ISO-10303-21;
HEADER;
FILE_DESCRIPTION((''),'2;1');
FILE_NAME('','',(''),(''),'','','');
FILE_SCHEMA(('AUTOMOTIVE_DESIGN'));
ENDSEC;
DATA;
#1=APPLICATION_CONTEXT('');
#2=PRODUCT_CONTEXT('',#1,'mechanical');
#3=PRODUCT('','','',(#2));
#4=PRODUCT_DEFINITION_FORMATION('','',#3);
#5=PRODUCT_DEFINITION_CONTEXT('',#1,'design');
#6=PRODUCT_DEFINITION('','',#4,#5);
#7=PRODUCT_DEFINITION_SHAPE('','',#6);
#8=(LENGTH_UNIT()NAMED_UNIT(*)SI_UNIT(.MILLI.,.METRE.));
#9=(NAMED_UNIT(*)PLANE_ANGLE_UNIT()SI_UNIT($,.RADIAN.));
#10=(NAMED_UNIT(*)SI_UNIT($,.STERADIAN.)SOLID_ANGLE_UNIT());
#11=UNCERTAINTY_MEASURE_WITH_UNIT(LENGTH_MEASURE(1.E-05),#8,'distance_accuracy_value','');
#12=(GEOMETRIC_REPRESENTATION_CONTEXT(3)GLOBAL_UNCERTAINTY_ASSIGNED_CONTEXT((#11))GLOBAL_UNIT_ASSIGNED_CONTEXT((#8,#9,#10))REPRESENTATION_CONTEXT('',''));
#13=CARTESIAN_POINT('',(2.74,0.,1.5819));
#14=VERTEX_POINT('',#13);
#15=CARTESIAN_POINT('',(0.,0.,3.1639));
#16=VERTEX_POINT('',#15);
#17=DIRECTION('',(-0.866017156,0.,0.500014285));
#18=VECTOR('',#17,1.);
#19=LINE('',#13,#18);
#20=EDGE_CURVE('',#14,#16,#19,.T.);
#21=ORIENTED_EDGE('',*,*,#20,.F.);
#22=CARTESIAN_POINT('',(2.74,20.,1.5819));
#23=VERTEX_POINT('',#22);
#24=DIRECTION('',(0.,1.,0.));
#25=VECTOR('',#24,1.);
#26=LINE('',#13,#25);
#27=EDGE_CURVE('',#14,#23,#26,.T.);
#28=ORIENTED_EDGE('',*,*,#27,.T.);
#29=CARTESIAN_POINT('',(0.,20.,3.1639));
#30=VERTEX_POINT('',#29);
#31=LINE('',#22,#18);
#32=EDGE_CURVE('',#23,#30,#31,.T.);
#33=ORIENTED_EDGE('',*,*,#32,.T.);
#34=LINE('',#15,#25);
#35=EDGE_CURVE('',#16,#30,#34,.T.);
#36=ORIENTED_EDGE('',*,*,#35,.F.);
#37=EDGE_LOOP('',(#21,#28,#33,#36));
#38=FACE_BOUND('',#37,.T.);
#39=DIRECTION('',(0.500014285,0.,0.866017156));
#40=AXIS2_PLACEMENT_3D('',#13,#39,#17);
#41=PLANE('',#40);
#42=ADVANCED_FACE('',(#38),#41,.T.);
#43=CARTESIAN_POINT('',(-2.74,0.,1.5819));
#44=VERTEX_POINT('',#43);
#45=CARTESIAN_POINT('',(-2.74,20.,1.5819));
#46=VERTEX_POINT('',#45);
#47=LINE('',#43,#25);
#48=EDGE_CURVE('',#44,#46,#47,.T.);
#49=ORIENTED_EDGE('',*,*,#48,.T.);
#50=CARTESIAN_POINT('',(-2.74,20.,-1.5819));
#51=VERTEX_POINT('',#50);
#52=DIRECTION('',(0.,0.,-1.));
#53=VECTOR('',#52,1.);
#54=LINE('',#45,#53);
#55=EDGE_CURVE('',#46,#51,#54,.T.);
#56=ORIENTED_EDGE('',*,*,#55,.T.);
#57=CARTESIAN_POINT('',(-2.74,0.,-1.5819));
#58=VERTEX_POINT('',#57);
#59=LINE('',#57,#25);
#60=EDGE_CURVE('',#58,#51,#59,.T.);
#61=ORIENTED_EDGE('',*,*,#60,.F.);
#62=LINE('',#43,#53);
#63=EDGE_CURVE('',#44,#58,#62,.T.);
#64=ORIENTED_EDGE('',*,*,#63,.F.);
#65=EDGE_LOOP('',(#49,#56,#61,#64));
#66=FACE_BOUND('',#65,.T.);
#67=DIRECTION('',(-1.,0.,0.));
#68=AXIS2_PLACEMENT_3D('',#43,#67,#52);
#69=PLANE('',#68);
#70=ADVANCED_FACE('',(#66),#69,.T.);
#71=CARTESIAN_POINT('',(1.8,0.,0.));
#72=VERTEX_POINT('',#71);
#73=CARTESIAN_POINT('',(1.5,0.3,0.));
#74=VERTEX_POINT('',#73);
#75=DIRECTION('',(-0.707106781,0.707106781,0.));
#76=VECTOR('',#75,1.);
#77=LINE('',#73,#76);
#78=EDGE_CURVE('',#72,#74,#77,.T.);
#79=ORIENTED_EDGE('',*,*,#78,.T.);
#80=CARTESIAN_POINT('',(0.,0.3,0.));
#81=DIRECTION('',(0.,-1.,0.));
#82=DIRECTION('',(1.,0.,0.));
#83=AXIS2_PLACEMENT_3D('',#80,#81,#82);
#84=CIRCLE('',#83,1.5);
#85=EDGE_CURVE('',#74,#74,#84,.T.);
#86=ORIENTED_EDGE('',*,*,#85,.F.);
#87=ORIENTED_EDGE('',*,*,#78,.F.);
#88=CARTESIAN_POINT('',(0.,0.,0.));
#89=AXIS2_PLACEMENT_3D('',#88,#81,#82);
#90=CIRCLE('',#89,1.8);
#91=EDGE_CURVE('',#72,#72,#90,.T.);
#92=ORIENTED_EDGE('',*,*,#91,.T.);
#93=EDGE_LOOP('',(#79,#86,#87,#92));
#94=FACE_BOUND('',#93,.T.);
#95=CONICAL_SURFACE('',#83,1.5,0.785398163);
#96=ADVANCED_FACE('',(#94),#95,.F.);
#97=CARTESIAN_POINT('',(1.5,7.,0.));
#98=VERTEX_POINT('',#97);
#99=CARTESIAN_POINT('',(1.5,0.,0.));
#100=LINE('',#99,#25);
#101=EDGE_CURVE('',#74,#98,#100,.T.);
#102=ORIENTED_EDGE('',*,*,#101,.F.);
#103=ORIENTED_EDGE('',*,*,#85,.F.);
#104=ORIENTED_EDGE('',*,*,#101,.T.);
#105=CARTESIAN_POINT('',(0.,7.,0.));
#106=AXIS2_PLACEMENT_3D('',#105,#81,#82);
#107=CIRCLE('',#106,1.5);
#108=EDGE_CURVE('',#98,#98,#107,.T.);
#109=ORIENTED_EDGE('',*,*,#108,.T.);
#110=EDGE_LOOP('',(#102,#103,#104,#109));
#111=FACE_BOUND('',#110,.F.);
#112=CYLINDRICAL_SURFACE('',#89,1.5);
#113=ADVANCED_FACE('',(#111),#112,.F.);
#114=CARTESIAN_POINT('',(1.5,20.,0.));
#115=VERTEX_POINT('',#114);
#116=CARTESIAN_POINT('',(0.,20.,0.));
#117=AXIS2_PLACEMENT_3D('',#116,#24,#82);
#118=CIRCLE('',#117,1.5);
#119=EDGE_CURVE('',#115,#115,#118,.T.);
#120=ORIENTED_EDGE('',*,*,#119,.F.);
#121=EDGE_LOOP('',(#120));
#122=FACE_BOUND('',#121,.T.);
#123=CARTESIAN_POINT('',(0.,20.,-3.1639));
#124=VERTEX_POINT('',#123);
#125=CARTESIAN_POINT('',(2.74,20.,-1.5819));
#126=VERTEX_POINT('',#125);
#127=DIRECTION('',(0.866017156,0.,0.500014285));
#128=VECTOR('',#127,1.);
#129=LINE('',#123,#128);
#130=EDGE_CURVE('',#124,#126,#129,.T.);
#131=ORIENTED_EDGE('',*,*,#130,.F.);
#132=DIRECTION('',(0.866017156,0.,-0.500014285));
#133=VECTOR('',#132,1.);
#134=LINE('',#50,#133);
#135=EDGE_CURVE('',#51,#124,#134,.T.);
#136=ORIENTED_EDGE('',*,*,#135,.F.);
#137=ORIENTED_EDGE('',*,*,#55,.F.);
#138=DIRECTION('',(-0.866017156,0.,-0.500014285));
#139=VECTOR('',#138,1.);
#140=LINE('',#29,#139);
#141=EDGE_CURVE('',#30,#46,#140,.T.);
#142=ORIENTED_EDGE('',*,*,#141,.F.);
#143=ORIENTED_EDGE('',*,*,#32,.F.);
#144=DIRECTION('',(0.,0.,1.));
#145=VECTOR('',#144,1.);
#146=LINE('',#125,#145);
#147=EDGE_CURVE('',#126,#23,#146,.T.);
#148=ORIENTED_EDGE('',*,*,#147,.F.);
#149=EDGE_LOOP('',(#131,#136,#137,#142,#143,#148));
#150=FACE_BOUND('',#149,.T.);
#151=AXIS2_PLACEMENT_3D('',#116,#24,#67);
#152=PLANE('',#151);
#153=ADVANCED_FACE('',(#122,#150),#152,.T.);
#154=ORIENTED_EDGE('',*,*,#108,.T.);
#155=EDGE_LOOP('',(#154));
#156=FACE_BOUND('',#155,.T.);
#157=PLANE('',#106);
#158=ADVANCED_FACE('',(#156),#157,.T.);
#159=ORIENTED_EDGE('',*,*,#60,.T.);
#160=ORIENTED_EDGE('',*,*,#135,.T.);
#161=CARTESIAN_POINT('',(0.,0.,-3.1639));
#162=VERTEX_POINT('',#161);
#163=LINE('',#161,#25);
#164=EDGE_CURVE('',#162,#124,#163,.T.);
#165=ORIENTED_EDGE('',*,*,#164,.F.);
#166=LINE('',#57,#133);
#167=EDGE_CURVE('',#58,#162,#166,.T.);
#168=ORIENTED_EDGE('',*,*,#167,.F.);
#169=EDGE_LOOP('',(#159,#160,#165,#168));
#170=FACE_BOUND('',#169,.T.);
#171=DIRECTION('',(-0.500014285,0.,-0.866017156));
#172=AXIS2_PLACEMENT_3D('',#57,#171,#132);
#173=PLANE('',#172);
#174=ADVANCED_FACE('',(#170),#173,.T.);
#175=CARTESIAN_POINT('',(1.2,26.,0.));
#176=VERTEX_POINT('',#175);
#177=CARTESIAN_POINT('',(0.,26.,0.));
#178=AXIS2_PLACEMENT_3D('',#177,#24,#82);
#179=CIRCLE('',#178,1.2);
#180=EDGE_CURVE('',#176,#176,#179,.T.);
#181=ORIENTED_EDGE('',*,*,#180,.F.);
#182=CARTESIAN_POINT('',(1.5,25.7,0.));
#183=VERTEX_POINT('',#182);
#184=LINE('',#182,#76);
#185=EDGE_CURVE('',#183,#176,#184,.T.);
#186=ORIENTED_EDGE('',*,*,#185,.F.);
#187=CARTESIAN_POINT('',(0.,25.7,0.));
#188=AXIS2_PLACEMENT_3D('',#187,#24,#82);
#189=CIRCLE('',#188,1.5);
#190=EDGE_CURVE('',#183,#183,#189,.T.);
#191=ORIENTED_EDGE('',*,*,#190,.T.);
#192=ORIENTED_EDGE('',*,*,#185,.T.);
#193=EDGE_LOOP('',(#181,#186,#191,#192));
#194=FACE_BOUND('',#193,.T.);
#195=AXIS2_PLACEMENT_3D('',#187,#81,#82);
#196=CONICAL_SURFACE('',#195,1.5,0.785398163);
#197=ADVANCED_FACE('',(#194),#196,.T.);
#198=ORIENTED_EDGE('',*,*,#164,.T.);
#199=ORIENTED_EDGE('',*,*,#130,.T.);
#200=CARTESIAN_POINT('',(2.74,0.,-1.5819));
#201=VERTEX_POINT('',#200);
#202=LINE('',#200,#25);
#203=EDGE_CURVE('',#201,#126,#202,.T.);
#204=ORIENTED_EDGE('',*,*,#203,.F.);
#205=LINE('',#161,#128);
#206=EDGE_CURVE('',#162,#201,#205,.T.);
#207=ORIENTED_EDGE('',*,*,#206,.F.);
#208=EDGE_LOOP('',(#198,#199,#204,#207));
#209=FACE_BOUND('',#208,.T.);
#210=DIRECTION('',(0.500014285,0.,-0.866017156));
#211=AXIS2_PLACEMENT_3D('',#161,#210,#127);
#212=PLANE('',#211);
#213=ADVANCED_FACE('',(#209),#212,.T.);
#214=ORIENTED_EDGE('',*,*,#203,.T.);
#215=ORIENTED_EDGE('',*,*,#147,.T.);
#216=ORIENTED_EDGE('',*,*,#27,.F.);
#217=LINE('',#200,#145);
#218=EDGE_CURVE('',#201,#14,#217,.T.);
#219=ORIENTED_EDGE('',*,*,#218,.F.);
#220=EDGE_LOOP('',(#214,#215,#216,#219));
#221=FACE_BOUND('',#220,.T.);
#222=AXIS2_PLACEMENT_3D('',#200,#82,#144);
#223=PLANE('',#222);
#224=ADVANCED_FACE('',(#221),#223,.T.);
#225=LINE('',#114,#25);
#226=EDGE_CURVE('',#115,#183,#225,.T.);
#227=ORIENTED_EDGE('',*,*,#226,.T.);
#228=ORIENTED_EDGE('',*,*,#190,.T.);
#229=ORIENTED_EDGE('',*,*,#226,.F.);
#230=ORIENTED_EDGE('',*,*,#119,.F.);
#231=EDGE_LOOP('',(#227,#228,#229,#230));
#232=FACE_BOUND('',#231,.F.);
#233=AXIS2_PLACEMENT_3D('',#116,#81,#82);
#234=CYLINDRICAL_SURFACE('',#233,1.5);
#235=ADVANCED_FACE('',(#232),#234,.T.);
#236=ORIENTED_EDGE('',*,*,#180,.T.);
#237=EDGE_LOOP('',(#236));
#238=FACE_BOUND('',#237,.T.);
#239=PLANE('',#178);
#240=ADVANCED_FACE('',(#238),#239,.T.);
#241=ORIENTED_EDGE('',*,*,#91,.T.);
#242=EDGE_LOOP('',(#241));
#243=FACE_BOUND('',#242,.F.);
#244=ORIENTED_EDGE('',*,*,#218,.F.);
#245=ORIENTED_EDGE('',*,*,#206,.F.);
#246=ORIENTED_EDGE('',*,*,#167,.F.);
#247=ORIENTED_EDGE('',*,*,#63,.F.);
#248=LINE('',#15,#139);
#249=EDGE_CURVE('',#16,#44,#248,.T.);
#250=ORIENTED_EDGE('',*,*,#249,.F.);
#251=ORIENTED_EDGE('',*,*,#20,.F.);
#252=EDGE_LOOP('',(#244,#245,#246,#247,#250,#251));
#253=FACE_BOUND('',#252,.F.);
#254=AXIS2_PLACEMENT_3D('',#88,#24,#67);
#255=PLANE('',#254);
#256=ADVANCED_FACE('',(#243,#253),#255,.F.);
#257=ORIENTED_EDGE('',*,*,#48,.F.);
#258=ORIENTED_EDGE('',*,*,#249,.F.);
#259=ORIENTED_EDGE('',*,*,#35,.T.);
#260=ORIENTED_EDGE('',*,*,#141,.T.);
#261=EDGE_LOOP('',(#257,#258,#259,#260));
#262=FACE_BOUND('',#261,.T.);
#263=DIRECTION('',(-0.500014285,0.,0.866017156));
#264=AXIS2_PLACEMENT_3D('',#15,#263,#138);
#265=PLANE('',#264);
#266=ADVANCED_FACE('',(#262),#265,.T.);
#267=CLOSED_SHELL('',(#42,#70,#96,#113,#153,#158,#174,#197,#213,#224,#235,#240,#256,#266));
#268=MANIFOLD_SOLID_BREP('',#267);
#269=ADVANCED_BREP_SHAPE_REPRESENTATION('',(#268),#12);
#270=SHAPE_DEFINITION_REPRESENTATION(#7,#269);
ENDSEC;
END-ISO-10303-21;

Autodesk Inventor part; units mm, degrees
ref_plane "YZ Plane" through (0, 0, 0) normal (1, 0, 0) x (0, 1, 0)
ref_plane "XZ Plane" through (0, 0, 0) normal (0, 1, 0) x (-1, 0, 0)
ref_plane "XY Plane" through (0, 0, 0) normal (0, 0, 1) x (1, 0, 0)
sketch "Sketch1" plane through (0, 0, 0) normal (0, 1, 0) x (-1, 0, 0)
  line L0 (0, 3.1639) -> (2.74, 1.5819)
  line L1 (2.74, 1.5819) -> (2.74, -1.5819)
  line L2 (2.74, -1.5819) -> (0, -3.1639)
  line L3 (0, -3.1639) -> (-2.74, -1.5819)
  line L4 (-2.74, -1.5819) -> (-2.74, 1.5819)
  line L5 (-2.74, 1.5819) -> (0, 3.1639)
  point P0 (0, 0)
  point P1 (0, 0)
  dimension "d0" = 5.48
extrude "Extrusion1" add sketch "Sketch1" along normal blind 20
sketch "Sketch2" plane through (0, 20, 0) normal (0, 1, 0) x (1, 0, 0)
  circle A0 centre (0, 0) radius 1.5
  dimension "d3" = 3
extrude "Extrusion2" add sketch "Sketch2" along normal blind 6
thread "Thread1" size "M3x0.5" class "6g" standard "ANSI Metric M Profile" full length
chamfer "Chamfer1" distance 0.3 angle 45 1 edges at (-1.5, 26, 0)
sketch "Sketch3" plane through (0, 0, 0) normal (0, -1, 0) x (1, 0, 0)
  circle A0 centre (0, 0) radius 1.5
  dimension "d11" = 3
extrude "Extrusion3" cut sketch "Sketch3" against normal blind 7
thread "Thread2" size "M3x0.5" class "6H" standard "ANSI Metric M Profile" full length
chamfer "Chamfer2" distance 0.3 angle 45 1 edges at (-1.5, 0, 0)
properties part number "20mm_support"
